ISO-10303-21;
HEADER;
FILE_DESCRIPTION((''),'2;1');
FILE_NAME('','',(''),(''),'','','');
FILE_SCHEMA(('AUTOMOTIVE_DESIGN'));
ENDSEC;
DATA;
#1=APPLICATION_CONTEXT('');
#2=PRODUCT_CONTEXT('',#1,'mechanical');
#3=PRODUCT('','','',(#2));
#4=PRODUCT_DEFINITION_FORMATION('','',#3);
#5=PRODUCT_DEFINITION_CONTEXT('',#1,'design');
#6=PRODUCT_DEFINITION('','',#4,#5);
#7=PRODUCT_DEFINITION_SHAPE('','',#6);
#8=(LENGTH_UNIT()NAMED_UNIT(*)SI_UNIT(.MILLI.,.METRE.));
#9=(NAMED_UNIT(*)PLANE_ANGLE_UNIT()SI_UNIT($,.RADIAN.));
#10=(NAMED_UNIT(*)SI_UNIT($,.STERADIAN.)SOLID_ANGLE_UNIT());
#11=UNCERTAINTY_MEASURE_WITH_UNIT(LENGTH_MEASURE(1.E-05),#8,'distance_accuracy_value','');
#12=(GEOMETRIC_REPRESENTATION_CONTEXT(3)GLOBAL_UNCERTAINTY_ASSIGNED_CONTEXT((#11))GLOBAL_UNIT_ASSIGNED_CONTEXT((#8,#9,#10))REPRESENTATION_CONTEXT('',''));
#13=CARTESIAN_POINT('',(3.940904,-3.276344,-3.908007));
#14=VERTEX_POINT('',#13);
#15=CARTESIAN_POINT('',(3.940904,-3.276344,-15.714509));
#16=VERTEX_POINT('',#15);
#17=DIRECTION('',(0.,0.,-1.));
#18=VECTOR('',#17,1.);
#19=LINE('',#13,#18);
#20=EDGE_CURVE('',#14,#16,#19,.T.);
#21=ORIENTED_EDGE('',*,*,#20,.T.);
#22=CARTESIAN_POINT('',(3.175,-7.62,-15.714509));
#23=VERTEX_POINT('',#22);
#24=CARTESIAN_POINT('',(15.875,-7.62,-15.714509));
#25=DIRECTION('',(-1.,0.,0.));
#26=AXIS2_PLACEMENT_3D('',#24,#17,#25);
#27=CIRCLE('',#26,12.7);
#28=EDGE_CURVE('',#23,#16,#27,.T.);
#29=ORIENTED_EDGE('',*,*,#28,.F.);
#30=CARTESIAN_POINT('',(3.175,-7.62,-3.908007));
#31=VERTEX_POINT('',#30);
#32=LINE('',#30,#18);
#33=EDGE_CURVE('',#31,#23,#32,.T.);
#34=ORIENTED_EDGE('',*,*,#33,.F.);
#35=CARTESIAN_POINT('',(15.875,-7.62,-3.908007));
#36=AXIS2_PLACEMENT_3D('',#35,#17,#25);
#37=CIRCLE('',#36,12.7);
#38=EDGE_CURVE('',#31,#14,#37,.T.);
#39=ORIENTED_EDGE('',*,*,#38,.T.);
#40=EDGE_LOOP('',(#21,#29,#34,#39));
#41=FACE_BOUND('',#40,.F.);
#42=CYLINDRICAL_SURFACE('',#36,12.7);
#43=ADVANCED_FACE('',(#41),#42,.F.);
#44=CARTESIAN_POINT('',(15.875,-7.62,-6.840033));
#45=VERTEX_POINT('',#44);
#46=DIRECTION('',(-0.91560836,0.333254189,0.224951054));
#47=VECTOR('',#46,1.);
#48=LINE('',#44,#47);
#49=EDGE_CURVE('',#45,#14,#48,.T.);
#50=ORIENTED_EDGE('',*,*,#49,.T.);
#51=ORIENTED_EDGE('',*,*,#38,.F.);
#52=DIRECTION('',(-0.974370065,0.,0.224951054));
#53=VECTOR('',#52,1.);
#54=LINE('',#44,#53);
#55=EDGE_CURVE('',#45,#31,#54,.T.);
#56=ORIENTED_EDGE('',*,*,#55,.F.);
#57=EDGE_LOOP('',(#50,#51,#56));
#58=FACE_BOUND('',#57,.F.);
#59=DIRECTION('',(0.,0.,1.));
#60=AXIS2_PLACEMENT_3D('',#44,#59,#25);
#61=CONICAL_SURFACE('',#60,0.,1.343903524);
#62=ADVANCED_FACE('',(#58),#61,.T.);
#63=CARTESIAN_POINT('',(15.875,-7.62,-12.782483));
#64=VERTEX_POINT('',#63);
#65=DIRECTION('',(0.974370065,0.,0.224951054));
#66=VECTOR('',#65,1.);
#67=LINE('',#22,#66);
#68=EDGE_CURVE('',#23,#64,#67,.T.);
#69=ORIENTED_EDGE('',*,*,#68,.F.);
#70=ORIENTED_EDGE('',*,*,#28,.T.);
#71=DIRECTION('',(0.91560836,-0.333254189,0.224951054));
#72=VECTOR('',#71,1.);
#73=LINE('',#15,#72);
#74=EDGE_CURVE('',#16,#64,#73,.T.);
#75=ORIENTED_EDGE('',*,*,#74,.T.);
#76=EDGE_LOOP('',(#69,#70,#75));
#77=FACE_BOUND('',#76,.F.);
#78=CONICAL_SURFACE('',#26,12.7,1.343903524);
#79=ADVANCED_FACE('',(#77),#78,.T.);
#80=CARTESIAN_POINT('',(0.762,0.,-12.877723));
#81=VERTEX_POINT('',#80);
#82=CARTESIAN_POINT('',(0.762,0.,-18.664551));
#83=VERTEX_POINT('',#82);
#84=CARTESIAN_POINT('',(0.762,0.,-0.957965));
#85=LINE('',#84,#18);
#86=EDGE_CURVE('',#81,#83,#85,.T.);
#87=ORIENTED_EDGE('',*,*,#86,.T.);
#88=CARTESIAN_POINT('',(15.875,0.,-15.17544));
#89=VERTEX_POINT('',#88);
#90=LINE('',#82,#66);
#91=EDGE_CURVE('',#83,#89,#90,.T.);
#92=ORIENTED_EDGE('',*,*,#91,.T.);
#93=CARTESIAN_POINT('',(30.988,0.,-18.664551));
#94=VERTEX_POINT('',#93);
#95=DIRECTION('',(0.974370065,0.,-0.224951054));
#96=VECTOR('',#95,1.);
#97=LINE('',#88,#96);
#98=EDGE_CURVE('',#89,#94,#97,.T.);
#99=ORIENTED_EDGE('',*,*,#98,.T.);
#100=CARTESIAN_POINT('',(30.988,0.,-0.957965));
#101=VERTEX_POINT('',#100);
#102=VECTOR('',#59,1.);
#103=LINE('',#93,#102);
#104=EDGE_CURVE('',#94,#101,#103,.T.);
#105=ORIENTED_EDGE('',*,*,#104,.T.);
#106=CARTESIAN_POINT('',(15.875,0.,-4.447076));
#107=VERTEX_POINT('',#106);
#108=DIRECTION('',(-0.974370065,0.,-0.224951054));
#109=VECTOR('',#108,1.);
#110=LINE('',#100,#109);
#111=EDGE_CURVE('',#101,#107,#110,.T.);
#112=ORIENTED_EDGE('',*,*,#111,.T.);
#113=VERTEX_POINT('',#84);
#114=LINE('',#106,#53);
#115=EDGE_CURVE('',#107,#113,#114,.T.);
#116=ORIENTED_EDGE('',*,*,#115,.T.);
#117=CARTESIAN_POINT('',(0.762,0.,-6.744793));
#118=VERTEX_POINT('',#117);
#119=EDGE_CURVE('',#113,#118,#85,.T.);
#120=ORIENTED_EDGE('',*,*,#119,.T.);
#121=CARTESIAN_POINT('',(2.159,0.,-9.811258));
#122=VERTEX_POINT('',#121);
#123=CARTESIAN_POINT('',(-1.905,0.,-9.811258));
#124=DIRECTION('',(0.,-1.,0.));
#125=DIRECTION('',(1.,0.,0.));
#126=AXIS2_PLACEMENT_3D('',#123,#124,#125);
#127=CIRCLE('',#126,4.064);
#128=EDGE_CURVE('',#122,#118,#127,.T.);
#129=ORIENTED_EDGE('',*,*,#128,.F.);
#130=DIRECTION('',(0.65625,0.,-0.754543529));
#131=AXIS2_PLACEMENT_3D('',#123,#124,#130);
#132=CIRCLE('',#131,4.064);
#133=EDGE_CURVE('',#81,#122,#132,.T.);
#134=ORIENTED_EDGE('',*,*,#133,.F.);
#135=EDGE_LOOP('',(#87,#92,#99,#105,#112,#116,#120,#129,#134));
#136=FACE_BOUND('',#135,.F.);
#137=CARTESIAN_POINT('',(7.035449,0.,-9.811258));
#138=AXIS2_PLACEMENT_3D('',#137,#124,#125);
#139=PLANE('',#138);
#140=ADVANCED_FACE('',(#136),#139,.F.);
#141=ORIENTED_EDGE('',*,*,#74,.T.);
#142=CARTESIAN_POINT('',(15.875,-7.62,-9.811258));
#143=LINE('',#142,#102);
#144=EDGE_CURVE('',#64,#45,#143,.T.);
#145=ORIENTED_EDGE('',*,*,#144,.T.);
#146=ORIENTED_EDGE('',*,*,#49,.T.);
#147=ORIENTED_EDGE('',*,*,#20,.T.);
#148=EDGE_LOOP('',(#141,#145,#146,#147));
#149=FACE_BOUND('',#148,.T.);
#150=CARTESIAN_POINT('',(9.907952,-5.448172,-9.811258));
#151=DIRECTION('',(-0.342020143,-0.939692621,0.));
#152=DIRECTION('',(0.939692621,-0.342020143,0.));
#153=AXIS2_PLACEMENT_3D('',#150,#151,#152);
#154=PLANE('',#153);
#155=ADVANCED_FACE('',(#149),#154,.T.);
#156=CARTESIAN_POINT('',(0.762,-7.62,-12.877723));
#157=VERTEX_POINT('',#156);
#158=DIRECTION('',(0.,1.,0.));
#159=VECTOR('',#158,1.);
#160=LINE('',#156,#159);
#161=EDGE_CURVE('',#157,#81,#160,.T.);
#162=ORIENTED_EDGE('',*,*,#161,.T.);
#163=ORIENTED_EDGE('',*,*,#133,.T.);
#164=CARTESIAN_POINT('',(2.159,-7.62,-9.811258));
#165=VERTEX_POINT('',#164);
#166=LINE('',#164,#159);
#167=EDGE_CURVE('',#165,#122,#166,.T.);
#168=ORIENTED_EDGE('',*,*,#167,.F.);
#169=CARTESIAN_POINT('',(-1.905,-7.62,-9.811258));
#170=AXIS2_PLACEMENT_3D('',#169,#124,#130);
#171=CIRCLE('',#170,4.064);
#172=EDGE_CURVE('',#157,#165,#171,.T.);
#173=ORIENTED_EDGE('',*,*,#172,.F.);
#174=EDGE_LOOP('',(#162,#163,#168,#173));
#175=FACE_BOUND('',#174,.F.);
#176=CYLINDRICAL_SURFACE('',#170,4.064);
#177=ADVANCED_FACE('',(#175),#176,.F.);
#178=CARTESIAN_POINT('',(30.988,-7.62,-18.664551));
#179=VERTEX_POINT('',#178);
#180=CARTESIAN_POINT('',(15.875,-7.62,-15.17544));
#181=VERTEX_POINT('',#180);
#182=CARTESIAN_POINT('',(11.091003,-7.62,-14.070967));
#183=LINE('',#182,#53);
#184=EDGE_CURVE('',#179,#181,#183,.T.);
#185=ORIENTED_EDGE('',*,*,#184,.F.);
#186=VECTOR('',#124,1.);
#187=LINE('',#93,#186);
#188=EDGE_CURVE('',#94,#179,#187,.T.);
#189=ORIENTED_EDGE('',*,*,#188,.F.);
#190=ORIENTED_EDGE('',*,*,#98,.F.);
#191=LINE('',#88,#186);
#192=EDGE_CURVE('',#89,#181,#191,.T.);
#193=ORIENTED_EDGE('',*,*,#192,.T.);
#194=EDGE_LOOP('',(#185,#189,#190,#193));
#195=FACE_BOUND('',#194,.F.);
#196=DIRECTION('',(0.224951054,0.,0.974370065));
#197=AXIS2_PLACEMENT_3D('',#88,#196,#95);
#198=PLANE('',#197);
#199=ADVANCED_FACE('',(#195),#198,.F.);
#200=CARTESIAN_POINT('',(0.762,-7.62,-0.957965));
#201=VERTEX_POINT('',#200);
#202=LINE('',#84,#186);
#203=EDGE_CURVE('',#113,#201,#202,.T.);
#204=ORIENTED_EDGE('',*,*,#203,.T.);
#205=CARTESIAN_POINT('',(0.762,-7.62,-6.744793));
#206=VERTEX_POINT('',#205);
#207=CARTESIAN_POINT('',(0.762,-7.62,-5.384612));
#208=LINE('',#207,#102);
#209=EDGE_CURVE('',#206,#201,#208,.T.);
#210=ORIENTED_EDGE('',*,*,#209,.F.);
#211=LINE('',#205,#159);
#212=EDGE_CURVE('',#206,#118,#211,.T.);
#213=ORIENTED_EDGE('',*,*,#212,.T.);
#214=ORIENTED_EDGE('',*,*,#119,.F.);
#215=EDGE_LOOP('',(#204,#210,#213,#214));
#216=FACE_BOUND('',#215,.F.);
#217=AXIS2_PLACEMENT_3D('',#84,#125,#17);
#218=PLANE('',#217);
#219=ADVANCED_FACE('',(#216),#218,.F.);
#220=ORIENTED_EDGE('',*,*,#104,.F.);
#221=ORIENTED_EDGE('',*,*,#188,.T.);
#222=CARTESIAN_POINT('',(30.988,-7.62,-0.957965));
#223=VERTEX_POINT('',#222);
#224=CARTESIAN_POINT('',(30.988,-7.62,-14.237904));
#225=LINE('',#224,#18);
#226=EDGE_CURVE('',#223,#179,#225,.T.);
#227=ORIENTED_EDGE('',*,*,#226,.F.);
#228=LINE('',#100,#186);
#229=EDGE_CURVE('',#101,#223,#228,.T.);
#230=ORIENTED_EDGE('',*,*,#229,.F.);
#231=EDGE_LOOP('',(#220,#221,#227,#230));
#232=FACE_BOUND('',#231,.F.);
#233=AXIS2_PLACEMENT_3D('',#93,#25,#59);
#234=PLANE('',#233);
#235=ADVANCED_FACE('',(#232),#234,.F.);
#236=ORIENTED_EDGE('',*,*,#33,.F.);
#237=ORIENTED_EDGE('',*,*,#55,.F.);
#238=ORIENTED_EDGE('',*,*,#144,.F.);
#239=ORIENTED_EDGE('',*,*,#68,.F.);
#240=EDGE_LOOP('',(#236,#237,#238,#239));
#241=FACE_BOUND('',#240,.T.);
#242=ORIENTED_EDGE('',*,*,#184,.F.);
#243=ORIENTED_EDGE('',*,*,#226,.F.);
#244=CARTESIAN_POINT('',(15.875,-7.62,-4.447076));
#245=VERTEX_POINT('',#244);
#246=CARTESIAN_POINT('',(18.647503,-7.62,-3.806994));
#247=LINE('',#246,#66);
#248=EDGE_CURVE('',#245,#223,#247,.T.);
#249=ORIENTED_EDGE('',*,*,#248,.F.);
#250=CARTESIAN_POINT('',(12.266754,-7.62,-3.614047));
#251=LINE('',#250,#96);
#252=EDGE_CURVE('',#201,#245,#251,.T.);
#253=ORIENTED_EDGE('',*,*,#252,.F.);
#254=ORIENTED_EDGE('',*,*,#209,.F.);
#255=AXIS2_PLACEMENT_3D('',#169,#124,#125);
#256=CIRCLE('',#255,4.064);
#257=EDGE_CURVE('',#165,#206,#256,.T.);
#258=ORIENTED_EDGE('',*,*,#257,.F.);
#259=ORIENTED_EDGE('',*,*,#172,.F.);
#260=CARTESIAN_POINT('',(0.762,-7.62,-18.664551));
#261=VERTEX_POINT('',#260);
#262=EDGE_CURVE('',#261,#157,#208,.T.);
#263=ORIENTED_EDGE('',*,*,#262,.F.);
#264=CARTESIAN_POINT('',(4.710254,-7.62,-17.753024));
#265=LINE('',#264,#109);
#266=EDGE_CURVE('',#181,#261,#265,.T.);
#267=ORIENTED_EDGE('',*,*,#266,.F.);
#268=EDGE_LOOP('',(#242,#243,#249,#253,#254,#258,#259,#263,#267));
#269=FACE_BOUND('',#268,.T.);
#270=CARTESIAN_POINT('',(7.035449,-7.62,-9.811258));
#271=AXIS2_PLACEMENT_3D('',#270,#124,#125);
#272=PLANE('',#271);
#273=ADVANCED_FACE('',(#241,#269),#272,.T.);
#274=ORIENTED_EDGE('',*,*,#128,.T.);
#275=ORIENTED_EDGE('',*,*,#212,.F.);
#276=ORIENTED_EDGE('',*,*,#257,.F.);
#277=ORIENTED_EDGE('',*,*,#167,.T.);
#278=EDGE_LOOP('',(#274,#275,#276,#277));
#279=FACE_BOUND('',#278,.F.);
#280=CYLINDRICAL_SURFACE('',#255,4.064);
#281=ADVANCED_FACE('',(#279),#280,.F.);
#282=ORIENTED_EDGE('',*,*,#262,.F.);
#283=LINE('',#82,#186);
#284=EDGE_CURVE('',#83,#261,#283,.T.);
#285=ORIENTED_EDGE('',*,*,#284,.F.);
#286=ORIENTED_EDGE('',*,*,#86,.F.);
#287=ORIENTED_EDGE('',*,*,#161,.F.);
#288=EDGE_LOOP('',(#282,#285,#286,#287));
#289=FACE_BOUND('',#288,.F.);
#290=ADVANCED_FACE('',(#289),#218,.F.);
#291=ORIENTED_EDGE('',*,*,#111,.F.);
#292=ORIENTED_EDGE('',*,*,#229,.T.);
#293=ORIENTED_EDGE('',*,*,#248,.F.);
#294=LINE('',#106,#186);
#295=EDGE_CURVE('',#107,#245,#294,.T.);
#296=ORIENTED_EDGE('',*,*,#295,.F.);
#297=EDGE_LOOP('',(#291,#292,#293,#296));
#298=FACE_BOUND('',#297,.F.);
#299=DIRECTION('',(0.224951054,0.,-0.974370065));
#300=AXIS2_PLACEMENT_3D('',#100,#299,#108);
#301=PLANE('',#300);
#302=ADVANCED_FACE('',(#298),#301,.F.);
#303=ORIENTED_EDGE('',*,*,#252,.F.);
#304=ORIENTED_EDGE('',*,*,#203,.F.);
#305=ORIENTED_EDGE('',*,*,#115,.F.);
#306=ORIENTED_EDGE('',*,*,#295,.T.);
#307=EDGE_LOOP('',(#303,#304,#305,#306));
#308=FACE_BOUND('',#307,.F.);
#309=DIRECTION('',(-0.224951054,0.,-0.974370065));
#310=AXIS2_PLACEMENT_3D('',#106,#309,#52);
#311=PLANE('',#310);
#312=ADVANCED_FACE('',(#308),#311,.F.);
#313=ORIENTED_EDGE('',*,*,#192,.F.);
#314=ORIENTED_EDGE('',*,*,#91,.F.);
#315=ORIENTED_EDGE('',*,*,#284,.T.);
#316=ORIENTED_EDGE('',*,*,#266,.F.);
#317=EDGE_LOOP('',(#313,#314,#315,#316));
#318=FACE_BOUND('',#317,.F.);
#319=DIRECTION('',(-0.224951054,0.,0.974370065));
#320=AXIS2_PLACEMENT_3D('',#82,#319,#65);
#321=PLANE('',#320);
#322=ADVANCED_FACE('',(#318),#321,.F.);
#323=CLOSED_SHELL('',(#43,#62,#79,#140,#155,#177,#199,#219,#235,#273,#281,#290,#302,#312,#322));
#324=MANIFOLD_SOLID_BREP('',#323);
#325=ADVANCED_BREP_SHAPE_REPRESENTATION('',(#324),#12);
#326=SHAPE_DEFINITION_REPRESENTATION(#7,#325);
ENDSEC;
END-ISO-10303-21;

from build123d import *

# Parameters (mm, degrees)
F1_DEPTH = 7.62
F2_W     = 12.7
F2_H     = 5.9424509318
F3_ANGLE = 20
F5_DEPTH = 25.4
F7_DEPTH = 25.4


with BuildPart() as f1:
    # F0 (on Front) → F1 (new body)
    with BuildSketch(Plane.XZ):
        Polygon((15.875, -3.6650325341), (0, 0), (0, -19.622516), (15.875, -15.9574834659), align=None)
        Polygon((31.75, 0), (15.875, -3.6650325341), (15.875, -15.9574834659), (31.75, -19.622516), align=None)
    extrude(amount=F1_DEPTH)

    # F2 (on face) → F3 (revolve, cut)
    with BuildSketch(Plane.XZ.offset(7.62)):
        with Locations((9.525, -9.811258)):
            Rectangle(F2_W, F2_H)
        Polygon((15.875, -12.7824834659), (3.175, -12.7824834659), (3.175, -15.7145094932), align=None)
        Polygon((3.175, -3.9080065068), (3.175, -6.8400325341), (15.875, -6.8400325341), align=None)
    revolve(axis=Axis((15.875, -7.62, -9.811258), (0, 0, -1)), revolution_arc=F3_ANGLE, mode=Mode.SUBTRACT)

    # F4 (on face) → F5 (cut)
    with BuildSketch(Plane(origin=(0, 0, 0), x_dir=(-1, 0, 0), z_dir=(0, 1, 0))):
        Polygon((0, -19.622516), (0, 0), (-15.875, -3.6650325341), (-31.75, 0), (-31.75, -19.622516), (-15.875, -15.9574834659), align=None)
        Polygon((-15.875, -15.1754397357), (-30.988, -18.6645507082), (-30.988, -0.9579652918), (-15.875, -4.4470762643), (-0.762, -0.9579652918), (-0.762, -18.6645507082), align=None, mode=Mode.SUBTRACT)
    extrude(amount=-F5_DEPTH, mode=Mode.SUBTRACT)

    # F6 (on face) → F7 (cut)
    with BuildSketch(Plane.XZ.offset(7.62)):
        with BuildLine():
            Line((0.762, -9.811258), (0.762, -12.8777229028))
            ThreePointArc((0.762, -12.8777229028), (1.7932958238, -11.4961033935), (2.159, -9.811258))
            Line((2.159, -9.811258), (0.762, -9.811258))
        make_face()
        with BuildLine():
            Line((0.762, -6.7447930972), (0.762, -9.811258))
            Line((0.762, -9.811258), (2.159, -9.811258))
            ThreePointArc((2.159, -9.811258), (1.7932958238, -8.1264126065), (0.762, -6.7447930972))
        make_face()
    extrude(amount=-F7_DEPTH, mode=Mode.SUBTRACT)


solid = f1.part
